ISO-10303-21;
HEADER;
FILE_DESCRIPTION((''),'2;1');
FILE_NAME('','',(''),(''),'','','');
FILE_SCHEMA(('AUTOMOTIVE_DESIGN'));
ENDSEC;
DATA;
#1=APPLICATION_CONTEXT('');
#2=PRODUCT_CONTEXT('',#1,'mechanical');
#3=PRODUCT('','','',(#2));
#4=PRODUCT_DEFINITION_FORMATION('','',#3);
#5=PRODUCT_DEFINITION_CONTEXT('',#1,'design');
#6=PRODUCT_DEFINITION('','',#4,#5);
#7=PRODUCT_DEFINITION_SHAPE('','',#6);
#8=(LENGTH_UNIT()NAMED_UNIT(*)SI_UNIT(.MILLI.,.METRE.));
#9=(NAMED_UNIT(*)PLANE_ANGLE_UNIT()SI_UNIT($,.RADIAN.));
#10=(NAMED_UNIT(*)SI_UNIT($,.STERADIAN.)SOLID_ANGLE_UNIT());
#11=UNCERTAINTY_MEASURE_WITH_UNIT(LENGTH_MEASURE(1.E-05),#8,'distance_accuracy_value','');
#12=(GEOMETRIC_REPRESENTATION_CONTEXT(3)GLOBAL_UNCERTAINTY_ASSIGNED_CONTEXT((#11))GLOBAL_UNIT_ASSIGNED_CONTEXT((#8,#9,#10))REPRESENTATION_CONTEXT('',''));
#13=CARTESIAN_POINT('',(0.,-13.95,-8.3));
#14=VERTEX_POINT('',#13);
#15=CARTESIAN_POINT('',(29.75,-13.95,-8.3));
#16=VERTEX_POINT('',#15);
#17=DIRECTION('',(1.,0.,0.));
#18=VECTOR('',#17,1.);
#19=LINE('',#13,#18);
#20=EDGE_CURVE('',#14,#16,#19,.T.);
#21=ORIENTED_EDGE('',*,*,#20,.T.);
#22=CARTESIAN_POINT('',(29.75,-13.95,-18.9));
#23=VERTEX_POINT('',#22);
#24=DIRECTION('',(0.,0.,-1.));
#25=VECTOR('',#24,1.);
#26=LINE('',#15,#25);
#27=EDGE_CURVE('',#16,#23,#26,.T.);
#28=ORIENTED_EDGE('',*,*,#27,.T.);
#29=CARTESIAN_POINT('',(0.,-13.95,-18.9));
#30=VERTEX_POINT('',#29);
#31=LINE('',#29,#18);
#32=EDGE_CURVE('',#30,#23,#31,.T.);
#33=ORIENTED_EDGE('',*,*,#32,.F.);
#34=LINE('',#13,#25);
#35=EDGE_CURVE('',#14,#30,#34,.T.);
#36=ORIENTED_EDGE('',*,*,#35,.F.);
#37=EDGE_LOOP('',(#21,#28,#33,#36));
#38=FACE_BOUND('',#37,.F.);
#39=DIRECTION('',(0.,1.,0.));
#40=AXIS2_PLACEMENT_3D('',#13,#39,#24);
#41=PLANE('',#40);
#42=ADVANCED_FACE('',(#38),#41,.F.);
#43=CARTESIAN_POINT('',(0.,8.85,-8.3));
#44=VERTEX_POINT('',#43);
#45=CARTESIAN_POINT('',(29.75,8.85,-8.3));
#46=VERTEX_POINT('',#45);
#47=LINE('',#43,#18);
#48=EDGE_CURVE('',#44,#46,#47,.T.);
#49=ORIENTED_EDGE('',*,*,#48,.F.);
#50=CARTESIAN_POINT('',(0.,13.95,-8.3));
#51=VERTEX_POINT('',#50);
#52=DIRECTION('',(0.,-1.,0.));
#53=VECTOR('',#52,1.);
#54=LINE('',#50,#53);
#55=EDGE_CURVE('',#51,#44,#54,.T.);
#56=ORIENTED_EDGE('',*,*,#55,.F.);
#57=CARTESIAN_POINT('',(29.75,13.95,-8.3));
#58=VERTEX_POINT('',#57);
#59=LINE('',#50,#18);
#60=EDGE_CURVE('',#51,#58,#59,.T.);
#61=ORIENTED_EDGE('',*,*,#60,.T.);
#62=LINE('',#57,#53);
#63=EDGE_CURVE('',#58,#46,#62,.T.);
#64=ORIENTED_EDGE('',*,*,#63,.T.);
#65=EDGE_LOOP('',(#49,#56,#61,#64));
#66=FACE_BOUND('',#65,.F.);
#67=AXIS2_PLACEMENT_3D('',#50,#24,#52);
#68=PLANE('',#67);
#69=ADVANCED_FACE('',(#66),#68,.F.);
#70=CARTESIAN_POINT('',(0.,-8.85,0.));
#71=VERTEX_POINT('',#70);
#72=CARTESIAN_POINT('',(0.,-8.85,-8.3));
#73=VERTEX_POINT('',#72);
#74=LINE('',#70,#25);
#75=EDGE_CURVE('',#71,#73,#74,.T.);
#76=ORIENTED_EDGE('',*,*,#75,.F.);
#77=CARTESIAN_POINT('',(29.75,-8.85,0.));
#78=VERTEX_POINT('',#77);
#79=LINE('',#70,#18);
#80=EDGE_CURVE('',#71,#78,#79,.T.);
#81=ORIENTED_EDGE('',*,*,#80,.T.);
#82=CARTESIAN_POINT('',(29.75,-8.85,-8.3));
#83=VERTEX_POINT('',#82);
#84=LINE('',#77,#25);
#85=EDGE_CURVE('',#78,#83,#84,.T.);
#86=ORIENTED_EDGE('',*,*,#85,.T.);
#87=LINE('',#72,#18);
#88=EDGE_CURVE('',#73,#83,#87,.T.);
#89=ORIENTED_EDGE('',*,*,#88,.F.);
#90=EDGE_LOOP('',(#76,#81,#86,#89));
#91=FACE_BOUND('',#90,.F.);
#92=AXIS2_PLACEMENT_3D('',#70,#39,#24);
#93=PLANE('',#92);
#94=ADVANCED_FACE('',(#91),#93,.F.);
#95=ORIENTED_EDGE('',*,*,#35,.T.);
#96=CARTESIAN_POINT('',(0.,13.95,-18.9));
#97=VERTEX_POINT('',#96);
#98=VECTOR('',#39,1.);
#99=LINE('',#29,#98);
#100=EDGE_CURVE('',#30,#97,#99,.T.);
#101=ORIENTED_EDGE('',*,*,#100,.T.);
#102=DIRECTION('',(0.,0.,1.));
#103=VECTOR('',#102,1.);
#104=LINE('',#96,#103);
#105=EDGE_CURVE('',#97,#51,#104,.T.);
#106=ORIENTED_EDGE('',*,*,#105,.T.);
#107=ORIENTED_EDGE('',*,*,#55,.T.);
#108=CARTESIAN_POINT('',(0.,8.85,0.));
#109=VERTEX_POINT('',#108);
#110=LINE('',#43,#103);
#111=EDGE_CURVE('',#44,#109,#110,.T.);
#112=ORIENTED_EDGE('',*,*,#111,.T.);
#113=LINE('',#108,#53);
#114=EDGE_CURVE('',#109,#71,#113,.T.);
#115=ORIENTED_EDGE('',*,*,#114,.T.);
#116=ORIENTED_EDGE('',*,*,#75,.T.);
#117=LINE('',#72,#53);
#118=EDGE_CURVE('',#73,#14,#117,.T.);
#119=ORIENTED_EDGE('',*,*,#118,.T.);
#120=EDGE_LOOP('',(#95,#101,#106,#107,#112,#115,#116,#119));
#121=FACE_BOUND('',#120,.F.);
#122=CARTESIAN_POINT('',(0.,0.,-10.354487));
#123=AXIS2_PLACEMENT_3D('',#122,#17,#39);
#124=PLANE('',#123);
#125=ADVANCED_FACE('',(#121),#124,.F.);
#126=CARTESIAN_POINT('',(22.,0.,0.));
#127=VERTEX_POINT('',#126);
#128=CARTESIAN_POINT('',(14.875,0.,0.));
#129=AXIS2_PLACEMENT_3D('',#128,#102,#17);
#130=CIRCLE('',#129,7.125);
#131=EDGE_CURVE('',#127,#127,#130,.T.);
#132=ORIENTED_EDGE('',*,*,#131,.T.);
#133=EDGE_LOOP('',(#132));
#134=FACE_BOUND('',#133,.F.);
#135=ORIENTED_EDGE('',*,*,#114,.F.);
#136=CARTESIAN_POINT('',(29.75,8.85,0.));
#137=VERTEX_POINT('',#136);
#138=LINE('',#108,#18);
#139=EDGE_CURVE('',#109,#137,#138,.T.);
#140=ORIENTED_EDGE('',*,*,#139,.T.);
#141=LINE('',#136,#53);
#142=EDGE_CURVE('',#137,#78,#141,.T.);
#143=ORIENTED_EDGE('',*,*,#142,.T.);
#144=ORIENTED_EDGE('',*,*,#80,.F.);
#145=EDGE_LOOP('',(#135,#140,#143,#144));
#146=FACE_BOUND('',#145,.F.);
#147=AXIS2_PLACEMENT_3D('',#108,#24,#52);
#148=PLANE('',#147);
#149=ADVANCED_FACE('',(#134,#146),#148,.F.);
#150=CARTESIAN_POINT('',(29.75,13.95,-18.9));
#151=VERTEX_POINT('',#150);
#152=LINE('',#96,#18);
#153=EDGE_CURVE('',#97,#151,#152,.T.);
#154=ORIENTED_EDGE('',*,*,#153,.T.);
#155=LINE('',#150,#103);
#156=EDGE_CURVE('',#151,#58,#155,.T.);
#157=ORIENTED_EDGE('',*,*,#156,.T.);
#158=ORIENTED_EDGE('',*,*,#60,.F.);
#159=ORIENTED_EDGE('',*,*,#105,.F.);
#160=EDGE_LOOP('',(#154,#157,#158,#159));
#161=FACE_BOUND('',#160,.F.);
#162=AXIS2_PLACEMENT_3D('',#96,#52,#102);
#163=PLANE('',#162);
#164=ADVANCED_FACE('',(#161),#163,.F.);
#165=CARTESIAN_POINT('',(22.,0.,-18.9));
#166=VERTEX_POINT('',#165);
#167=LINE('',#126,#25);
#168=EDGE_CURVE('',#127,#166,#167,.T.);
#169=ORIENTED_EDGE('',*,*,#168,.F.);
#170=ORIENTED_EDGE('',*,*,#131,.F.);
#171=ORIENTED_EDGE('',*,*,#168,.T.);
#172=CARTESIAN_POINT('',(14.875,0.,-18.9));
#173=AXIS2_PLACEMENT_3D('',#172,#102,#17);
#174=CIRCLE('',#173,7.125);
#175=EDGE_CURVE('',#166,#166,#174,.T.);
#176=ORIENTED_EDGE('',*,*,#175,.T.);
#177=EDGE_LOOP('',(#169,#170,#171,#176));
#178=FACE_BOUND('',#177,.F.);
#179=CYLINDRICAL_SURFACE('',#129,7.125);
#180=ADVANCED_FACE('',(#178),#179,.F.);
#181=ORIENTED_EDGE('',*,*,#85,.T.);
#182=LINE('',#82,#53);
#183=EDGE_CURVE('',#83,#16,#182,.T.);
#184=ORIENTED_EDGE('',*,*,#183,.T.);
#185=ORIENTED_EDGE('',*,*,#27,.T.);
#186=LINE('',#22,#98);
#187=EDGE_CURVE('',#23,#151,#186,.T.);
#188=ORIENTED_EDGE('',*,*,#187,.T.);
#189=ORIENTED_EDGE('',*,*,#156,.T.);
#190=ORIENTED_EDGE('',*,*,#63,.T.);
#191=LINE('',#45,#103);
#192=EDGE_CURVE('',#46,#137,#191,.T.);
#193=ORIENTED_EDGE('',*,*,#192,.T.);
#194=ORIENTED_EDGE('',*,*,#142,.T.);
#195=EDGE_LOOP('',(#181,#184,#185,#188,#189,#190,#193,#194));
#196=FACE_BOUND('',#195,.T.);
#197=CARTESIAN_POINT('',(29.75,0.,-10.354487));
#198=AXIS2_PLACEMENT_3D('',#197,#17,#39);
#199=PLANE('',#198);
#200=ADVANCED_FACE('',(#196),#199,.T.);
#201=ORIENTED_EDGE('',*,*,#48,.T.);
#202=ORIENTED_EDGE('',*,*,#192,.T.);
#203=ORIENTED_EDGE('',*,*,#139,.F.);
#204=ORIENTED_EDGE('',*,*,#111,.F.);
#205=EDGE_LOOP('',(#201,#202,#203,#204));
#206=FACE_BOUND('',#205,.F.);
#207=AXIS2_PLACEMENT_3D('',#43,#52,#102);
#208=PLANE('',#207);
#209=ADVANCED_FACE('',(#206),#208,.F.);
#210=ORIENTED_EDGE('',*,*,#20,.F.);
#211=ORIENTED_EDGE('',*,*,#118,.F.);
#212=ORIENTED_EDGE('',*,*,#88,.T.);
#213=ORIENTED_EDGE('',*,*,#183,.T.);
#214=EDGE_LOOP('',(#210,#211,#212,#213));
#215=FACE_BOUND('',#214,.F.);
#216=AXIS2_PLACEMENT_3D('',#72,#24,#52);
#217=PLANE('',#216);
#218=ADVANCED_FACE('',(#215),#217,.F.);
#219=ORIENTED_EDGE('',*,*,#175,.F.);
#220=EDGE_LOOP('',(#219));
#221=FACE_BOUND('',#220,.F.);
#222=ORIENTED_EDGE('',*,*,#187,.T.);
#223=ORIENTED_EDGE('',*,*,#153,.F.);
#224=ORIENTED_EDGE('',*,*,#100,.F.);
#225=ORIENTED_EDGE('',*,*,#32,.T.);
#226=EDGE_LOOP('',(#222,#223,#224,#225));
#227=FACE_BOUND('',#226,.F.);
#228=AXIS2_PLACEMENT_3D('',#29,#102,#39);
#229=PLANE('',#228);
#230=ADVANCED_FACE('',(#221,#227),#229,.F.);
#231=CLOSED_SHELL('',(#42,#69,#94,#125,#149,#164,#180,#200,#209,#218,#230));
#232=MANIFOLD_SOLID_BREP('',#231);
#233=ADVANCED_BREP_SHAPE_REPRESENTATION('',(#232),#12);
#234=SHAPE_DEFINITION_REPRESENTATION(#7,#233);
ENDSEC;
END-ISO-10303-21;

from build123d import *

# Parameters (mm, degrees)
F1_DEPTH = 29.75
F2_R     = 7.125
F3_DEPTH = 18.901


with BuildPart() as f1:
    # F0 (on Right) → F1 (new body)
    with BuildSketch(Plane.YZ):
        Polygon((8.85, 0), (-8.85, 0), (-8.85, -8.3), (-13.95, -8.3), (-13.95, -18.9), (13.95, -18.9), (13.95, -8.3), (8.85, -8.3), align=None)
    extrude(amount=F1_DEPTH)

    # F2 (on face) → F3 (cut, through all)
    with BuildSketch(Plane.XY):
        with Locations((14.875, 0)):
            Circle(F2_R)
    extrude(amount=-F3_DEPTH, mode=Mode.SUBTRACT)


solid = f1.part
